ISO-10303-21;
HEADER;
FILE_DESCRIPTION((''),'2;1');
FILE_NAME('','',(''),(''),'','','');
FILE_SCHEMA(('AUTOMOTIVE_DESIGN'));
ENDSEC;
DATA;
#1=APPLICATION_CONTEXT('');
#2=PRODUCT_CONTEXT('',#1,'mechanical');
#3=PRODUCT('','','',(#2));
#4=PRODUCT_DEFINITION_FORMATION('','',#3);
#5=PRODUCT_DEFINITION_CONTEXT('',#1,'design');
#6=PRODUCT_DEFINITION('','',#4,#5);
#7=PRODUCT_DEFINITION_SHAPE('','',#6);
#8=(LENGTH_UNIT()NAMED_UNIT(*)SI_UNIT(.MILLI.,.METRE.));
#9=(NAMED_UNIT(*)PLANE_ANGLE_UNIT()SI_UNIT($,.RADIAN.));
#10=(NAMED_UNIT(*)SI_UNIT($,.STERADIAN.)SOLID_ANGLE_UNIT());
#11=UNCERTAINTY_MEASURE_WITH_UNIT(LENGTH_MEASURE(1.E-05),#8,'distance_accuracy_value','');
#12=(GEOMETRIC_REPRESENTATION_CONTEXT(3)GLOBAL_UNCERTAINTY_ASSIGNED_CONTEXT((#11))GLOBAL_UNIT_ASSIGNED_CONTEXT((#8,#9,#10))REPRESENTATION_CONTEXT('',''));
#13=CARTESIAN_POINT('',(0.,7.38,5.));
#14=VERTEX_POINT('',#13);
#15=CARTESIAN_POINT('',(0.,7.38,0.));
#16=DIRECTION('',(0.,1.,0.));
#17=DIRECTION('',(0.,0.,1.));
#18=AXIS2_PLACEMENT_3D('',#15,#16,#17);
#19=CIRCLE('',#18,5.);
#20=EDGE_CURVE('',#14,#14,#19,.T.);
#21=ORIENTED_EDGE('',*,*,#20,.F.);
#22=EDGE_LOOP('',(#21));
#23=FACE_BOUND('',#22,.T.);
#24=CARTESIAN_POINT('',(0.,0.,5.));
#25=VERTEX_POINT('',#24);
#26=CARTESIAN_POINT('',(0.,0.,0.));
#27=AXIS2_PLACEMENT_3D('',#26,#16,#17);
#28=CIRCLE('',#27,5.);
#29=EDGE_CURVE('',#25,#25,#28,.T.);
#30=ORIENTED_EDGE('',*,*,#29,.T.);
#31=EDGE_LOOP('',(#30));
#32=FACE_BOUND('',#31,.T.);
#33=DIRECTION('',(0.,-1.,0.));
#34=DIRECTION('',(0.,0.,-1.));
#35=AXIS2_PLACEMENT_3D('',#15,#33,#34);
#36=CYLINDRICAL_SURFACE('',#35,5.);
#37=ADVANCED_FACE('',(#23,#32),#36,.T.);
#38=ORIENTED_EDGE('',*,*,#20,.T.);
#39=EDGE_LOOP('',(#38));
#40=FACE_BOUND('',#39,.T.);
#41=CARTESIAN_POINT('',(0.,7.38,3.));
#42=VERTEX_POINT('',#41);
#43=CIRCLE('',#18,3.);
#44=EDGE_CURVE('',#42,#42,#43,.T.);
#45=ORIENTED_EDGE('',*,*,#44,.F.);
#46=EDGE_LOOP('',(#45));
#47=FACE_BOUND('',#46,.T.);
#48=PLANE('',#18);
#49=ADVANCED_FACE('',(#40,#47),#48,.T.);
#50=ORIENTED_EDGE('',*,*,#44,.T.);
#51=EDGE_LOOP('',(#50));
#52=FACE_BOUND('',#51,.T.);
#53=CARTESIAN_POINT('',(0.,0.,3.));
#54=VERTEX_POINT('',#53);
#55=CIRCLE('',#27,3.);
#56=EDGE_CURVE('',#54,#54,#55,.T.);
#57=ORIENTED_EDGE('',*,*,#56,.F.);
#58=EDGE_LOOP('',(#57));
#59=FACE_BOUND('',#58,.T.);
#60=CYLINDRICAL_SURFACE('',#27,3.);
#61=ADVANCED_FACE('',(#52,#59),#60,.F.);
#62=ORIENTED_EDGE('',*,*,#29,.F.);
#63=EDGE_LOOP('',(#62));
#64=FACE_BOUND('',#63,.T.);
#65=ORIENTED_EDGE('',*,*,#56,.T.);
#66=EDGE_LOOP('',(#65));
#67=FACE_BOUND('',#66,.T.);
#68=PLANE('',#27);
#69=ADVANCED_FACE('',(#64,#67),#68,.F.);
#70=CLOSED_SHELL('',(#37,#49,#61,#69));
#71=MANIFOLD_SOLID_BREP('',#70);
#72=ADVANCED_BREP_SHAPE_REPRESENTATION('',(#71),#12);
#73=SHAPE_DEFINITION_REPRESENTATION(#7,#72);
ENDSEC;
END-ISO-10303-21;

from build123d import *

# Parameters (mm, degrees)
SKETCH1_R           = 5
BOSS_EXTRUDE1_DEPTH = 7.38
SKETCH2_R           = 3
CUT_EXTRUDE1_DEPTH  = 7.38


with BuildPart() as part:
    # Sketch1 → Boss-Extrude1 (new body)
    with BuildSketch(Plane(origin=(0, 0, 0), x_dir=(1, 0, 0), z_dir=(0, 1, 0))):
        Circle(SKETCH1_R)
    extrude(amount=BOSS_EXTRUDE1_DEPTH)

    # Sketch2 → Cut-Extrude1 (cut)
    with BuildSketch(Plane(origin=(0, 7.38, 0), x_dir=(1, 0, 0), z_dir=(0, 1, 0))):
        Circle(SKETCH2_R)
    extrude(amount=-CUT_EXTRUDE1_DEPTH, mode=Mode.SUBTRACT)


solid = part.part
